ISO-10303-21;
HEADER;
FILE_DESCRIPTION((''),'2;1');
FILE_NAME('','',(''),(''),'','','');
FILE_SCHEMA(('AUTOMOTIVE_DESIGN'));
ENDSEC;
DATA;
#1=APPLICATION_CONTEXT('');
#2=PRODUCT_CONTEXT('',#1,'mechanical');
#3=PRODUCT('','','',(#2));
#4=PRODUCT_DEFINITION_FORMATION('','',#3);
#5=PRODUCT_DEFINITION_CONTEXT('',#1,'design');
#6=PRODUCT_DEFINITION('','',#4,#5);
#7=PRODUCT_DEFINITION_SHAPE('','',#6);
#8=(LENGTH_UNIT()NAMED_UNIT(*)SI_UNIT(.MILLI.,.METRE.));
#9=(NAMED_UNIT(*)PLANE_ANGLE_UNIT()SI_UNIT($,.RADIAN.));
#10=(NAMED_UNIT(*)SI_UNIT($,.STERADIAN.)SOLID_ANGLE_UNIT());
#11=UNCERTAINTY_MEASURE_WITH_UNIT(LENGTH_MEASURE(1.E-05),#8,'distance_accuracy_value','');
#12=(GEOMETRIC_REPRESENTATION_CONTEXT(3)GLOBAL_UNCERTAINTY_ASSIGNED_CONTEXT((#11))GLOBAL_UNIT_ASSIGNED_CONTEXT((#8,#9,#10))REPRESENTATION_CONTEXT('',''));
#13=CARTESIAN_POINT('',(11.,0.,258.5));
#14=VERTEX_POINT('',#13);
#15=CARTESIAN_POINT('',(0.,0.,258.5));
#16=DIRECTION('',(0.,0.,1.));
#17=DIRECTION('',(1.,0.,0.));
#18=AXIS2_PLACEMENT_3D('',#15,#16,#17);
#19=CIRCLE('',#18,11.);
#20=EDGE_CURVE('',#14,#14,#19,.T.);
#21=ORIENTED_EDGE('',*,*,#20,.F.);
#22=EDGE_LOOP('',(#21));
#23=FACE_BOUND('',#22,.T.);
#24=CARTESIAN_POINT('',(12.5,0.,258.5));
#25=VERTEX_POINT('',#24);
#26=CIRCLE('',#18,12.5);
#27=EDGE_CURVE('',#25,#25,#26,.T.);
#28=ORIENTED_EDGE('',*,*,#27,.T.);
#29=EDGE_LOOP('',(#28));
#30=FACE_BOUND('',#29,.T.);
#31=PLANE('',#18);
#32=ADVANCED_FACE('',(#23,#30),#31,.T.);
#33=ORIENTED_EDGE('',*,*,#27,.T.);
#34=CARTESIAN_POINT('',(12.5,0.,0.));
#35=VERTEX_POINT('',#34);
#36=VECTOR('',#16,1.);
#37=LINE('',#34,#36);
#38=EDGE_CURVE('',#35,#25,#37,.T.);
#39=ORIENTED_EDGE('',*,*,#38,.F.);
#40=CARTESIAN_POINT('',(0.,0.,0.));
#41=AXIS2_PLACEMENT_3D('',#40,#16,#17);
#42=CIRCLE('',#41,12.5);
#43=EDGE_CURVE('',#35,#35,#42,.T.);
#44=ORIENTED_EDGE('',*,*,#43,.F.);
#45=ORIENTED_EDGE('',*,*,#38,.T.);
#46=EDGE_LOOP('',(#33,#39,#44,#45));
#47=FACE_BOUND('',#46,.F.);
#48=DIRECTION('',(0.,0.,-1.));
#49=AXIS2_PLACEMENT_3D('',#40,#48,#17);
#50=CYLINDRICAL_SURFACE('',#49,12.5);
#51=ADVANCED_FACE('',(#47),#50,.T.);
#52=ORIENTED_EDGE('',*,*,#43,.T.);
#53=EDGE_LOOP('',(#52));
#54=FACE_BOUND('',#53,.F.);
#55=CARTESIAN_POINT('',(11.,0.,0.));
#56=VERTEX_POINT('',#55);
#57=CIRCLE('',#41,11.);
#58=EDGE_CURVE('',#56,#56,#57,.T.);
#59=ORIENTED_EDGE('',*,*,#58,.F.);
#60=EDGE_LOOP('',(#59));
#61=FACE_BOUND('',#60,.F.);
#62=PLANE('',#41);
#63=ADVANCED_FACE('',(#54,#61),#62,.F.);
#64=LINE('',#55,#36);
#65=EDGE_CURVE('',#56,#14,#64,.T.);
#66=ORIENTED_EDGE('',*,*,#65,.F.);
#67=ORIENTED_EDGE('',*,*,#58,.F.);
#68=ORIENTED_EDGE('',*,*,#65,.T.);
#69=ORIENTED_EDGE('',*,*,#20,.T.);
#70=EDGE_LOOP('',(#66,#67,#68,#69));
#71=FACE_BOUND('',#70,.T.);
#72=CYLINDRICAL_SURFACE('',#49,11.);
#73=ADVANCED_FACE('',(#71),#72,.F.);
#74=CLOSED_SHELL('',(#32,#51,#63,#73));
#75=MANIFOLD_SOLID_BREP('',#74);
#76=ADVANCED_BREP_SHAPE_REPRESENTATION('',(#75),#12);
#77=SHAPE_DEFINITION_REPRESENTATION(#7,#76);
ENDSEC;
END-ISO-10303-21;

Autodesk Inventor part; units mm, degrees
ref_plane "YZ Plane" through (0, 0, 0) normal (1, 0, 0) x (0, 1, 0)
ref_plane "Start plane" through (0, 0, 0) normal (0, 0, 1) x (1, 0, 0)
ref_plane "End plane" through (0, 0, 258.5) normal (0, 0, 1) x (1, 0, 0)
sketch "Sketch" plane through (0, 0, 0) normal (0, 0, 1) x (1, 0, 0)
  circle A0 centre (0, 0) radius 11
  circle A1 centre (0, 0) radius 12.5
  dimension "d0" = 25
  dimension "d1" = 1.5
extrude "Body" add sketch "Sketch" along normal up to surface (258.5 mm away) from surface at 0
sketch "Sketch3" plane through (0, 0, 0) normal (0, 0, 1) x (1, 0, 0)
  line L0 (0, 0) -> (10, 0)
ref_plane "Work Plane3" through (0, 0, 0) normal (0, -1, 0) x (1, 0, 0)
sketch "Sketch4" plane through (0, 0, 0) normal (0, -1, 0) x (1, 0, 0)
  line L0 (-2, 0) -> (12, 0)
  line L1 (-2, 258.5) -> (12, 258.5)
  dimension "d7" = 258.5
equation "\"d0\" = G_H"
equation "\"d1\" = G_T"
equation "\"d2\" = G_L"
equation "\"G_H\" = 25"
equation "\"G_T\" = 1.5"
equation "\"G_L\" = d7"
equation "\"G_OFFSET_START\" = 0"
equation "\"G_OFFSET_END\" = 0"
equation "\"d5\" = G_OFFSET_END + B_L"
equation "\"B_L\" = 258.5"
properties part number "CSN EN 10305-1 -  E235 -  25 x 1,5 - 258,5" material "Steel, Mild"
